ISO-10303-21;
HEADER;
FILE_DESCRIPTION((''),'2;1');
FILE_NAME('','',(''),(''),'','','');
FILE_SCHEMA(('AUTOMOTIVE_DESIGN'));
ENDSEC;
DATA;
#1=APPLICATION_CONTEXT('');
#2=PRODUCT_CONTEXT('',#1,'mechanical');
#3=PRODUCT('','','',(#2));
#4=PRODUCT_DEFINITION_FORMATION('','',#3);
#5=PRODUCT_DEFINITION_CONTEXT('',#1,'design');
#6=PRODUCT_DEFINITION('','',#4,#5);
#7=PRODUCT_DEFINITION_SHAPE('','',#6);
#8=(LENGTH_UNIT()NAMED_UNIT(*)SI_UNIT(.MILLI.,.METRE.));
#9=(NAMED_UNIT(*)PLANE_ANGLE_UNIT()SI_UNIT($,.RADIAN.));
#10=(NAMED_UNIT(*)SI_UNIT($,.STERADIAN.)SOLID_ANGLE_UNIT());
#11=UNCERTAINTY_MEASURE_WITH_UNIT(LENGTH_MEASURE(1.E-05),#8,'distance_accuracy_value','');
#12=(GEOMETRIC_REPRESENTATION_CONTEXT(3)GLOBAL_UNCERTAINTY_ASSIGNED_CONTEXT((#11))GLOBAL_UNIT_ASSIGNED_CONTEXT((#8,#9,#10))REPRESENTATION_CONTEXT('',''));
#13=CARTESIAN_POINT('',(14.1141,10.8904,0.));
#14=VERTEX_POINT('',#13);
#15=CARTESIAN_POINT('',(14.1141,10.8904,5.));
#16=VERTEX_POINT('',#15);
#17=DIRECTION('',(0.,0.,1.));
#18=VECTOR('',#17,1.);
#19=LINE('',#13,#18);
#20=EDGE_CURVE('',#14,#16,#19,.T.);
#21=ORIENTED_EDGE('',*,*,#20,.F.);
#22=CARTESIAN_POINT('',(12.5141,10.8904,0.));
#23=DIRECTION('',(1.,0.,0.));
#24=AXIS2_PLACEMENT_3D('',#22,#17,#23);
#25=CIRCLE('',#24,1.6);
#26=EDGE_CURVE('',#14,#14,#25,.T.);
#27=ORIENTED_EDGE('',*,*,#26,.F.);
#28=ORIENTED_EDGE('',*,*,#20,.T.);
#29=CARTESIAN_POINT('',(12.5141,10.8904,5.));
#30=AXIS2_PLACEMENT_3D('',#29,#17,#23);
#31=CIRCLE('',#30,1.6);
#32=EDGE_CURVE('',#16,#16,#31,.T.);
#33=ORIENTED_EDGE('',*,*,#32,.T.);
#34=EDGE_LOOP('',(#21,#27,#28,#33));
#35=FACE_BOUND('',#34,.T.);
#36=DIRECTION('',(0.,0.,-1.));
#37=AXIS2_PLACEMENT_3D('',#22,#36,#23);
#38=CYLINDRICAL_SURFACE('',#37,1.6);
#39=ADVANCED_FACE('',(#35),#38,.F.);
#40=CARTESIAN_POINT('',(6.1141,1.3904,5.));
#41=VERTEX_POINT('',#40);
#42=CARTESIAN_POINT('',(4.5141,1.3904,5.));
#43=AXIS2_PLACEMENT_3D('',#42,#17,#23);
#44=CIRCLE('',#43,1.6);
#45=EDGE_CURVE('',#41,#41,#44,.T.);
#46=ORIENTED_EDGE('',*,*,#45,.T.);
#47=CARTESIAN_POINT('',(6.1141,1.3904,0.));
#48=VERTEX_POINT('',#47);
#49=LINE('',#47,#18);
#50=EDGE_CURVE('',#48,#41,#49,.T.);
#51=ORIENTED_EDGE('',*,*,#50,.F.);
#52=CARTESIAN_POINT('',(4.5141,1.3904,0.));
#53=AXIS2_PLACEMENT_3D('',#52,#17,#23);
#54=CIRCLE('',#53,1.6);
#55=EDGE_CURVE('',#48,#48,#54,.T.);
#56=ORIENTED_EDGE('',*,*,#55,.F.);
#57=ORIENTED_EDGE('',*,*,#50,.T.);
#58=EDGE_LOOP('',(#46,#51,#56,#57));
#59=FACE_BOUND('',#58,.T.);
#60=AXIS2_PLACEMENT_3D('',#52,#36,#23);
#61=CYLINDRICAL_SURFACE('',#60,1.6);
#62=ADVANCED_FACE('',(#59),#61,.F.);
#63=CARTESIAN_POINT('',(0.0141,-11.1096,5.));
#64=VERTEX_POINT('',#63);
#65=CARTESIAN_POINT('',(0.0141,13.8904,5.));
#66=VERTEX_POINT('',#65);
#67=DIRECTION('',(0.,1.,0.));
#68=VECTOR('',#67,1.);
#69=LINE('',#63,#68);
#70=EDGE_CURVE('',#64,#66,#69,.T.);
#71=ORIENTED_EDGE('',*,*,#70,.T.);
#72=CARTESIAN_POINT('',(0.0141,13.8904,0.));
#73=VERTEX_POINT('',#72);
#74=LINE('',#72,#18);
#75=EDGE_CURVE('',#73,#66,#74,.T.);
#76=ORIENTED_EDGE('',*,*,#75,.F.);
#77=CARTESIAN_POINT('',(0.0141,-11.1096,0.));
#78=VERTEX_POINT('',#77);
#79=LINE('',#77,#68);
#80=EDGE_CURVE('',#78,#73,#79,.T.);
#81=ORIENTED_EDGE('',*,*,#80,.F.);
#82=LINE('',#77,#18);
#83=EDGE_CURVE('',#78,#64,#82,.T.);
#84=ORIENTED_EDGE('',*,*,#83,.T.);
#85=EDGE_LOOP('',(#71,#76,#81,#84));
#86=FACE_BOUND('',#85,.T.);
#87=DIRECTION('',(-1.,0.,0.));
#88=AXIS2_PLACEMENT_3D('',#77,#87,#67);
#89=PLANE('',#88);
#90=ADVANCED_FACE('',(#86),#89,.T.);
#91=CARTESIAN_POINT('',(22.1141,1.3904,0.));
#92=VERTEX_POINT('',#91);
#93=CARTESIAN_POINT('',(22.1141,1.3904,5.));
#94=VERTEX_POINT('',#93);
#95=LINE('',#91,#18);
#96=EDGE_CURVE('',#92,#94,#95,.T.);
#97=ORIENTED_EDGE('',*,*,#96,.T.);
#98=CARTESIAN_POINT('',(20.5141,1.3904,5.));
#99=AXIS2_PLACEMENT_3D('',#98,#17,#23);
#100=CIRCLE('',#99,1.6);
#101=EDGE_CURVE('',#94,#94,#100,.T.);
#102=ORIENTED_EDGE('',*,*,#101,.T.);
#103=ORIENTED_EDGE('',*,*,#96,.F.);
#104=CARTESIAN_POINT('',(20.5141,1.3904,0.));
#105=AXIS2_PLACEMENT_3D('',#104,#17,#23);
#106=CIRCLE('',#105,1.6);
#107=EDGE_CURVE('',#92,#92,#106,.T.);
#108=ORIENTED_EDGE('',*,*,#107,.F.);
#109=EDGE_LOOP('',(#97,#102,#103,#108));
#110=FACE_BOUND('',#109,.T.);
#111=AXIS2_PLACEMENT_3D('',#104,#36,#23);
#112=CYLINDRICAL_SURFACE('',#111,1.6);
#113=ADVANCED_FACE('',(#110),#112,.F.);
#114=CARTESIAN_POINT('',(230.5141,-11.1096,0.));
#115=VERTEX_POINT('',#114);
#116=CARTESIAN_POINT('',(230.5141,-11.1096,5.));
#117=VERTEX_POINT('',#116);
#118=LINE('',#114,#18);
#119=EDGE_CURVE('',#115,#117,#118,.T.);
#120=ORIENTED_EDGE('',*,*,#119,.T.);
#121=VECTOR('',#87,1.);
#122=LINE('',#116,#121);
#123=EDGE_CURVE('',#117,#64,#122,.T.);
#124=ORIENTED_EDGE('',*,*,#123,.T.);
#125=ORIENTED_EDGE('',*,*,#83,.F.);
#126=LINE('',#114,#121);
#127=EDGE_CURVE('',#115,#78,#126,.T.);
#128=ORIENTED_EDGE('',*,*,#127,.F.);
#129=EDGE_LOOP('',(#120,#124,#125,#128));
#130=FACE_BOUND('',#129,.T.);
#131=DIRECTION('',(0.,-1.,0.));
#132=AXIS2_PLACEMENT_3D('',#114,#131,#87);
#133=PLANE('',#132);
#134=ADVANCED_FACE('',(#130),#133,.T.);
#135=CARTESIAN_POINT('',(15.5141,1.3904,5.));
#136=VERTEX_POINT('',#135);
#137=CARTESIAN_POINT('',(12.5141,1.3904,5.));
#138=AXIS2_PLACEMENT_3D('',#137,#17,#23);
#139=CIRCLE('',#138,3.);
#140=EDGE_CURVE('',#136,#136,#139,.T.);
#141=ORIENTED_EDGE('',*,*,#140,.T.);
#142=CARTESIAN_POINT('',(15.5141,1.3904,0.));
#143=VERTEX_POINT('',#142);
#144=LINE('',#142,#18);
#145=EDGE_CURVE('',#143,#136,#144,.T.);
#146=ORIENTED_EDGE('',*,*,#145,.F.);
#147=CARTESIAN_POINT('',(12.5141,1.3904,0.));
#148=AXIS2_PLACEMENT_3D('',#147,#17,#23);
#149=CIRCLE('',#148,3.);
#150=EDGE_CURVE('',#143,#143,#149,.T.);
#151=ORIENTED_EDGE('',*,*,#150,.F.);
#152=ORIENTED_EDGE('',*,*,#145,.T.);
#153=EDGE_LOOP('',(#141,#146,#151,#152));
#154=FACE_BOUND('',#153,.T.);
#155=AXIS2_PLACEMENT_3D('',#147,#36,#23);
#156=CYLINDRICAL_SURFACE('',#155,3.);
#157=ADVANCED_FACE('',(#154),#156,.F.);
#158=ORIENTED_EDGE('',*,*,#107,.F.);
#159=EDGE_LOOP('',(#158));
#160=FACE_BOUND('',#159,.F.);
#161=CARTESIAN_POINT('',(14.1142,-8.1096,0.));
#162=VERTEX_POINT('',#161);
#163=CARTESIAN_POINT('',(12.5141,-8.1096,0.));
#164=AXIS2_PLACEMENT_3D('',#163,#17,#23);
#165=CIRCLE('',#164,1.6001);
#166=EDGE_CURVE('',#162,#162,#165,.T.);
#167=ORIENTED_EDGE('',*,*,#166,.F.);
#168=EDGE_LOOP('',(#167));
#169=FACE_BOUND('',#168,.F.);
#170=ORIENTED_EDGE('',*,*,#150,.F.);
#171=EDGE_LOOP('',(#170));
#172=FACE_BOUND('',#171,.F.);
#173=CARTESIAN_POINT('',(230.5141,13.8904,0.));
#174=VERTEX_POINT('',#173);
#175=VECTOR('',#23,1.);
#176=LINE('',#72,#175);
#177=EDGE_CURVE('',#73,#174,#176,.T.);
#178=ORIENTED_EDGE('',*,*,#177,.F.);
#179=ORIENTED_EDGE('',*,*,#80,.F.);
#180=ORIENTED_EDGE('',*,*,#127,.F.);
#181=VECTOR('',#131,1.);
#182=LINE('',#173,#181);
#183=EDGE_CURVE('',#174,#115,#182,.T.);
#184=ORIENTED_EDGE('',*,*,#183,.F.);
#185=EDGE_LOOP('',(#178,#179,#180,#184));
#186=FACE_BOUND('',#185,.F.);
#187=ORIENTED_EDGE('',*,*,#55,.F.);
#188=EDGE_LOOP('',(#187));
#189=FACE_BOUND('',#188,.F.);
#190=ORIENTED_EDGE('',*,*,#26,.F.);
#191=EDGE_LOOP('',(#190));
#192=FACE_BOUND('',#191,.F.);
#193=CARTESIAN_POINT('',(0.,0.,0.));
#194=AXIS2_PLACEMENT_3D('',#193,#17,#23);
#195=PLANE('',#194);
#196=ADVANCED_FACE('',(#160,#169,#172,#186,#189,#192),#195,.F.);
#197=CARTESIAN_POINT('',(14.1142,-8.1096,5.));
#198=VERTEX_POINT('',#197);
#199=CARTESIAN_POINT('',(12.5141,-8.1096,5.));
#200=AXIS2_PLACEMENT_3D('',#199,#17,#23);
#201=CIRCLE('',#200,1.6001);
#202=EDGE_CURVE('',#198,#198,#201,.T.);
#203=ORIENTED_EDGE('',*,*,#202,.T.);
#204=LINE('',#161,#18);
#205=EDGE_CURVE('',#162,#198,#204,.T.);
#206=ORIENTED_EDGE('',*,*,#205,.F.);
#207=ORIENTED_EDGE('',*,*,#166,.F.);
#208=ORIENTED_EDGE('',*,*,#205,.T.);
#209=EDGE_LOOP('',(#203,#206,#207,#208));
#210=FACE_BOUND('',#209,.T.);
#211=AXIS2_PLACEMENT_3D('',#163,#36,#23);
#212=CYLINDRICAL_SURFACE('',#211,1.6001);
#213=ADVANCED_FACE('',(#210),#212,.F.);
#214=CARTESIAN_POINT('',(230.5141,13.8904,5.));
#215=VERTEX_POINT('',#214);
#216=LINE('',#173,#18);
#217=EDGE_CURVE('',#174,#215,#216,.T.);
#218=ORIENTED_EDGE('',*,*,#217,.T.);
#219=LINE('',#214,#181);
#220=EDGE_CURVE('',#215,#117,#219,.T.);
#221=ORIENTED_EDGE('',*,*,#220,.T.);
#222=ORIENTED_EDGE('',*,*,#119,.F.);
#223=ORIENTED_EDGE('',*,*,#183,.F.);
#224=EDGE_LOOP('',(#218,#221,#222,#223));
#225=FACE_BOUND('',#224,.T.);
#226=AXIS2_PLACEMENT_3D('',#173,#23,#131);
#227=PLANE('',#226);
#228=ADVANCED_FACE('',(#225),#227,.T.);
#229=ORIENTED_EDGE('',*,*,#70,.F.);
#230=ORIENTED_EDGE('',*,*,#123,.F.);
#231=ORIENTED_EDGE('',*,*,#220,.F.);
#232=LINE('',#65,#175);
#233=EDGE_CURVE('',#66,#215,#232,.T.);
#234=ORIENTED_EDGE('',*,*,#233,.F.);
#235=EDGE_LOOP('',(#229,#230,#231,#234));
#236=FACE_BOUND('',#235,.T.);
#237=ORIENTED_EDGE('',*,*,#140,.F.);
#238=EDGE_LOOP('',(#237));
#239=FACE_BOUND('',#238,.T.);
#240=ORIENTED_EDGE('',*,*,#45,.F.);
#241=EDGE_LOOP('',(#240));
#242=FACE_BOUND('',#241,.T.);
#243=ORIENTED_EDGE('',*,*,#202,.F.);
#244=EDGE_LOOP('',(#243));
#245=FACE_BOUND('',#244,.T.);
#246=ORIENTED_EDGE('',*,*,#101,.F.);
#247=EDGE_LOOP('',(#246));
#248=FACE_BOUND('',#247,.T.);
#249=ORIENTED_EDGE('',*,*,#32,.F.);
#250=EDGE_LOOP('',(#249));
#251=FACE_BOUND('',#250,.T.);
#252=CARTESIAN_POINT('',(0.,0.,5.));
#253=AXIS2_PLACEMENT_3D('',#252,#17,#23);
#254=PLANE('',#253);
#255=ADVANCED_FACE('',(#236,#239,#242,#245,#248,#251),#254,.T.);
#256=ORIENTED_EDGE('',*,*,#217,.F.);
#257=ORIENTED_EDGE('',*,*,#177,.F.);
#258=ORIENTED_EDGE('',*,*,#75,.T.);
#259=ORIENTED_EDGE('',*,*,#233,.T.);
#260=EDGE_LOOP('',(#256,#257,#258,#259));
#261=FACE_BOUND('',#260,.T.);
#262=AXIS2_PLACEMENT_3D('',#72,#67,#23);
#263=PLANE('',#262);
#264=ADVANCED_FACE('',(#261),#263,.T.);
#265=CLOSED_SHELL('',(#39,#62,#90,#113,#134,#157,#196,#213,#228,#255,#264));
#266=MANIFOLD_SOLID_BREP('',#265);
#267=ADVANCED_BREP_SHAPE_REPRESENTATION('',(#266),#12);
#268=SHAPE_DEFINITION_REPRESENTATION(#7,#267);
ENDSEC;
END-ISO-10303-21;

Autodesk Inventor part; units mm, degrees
ref_plane "YZ Plane" through (0, 0, 0) normal (1, 0, 0) x (0, 1, 0)
ref_plane "XZ Plane" through (0, 0, 0) normal (0, 1, 0) x (-1, 0, 0)
ref_plane "XY Plane" through (0, 0, 0) normal (0, 0, 1) x (1, 0, 0)
sketch "Esboço1" plane through (0, 0, 0) normal (0, 0, 1) x (1, 0, 0)
  circle A0 centre (12.5141, -8.1096) radius 1.6001
  circle A1 centre (20.5141, 1.3904) radius 1.6
  circle A2 centre (4.5141, 1.3904) radius 1.6
  circle A3 centre (12.5141, 1.3904) radius 3
  circle A4 centre (12.5141, 10.8904) radius 1.6
  line L0 (0.0141, 13.8904) -> (230.5141, 13.8904)
  line L1 (230.5141, 13.8904) -> (230.5141, -11.1096)
  line L2 (230.5141, -11.1096) -> (0.0141, -11.1096)
  line L3 (0.0141, -11.1096) -> (0.0141, 13.8904)
  line L4 (0.0141, 32.3338) -> (0.0141, -22.4463)
  point P0 (0, 0)
  point P1 (0.0141, 1.3904)
  dimension "d0" = 230.5
  dimension "d1" = 25
  dimension "d4" = 4.5
  dimension "d11" = 12.5
  dimension "d13" = 18.9999
extrude "Extrusão1" add sketch "Esboço1" along normal blind 5
properties part number "PeçaCerta"
